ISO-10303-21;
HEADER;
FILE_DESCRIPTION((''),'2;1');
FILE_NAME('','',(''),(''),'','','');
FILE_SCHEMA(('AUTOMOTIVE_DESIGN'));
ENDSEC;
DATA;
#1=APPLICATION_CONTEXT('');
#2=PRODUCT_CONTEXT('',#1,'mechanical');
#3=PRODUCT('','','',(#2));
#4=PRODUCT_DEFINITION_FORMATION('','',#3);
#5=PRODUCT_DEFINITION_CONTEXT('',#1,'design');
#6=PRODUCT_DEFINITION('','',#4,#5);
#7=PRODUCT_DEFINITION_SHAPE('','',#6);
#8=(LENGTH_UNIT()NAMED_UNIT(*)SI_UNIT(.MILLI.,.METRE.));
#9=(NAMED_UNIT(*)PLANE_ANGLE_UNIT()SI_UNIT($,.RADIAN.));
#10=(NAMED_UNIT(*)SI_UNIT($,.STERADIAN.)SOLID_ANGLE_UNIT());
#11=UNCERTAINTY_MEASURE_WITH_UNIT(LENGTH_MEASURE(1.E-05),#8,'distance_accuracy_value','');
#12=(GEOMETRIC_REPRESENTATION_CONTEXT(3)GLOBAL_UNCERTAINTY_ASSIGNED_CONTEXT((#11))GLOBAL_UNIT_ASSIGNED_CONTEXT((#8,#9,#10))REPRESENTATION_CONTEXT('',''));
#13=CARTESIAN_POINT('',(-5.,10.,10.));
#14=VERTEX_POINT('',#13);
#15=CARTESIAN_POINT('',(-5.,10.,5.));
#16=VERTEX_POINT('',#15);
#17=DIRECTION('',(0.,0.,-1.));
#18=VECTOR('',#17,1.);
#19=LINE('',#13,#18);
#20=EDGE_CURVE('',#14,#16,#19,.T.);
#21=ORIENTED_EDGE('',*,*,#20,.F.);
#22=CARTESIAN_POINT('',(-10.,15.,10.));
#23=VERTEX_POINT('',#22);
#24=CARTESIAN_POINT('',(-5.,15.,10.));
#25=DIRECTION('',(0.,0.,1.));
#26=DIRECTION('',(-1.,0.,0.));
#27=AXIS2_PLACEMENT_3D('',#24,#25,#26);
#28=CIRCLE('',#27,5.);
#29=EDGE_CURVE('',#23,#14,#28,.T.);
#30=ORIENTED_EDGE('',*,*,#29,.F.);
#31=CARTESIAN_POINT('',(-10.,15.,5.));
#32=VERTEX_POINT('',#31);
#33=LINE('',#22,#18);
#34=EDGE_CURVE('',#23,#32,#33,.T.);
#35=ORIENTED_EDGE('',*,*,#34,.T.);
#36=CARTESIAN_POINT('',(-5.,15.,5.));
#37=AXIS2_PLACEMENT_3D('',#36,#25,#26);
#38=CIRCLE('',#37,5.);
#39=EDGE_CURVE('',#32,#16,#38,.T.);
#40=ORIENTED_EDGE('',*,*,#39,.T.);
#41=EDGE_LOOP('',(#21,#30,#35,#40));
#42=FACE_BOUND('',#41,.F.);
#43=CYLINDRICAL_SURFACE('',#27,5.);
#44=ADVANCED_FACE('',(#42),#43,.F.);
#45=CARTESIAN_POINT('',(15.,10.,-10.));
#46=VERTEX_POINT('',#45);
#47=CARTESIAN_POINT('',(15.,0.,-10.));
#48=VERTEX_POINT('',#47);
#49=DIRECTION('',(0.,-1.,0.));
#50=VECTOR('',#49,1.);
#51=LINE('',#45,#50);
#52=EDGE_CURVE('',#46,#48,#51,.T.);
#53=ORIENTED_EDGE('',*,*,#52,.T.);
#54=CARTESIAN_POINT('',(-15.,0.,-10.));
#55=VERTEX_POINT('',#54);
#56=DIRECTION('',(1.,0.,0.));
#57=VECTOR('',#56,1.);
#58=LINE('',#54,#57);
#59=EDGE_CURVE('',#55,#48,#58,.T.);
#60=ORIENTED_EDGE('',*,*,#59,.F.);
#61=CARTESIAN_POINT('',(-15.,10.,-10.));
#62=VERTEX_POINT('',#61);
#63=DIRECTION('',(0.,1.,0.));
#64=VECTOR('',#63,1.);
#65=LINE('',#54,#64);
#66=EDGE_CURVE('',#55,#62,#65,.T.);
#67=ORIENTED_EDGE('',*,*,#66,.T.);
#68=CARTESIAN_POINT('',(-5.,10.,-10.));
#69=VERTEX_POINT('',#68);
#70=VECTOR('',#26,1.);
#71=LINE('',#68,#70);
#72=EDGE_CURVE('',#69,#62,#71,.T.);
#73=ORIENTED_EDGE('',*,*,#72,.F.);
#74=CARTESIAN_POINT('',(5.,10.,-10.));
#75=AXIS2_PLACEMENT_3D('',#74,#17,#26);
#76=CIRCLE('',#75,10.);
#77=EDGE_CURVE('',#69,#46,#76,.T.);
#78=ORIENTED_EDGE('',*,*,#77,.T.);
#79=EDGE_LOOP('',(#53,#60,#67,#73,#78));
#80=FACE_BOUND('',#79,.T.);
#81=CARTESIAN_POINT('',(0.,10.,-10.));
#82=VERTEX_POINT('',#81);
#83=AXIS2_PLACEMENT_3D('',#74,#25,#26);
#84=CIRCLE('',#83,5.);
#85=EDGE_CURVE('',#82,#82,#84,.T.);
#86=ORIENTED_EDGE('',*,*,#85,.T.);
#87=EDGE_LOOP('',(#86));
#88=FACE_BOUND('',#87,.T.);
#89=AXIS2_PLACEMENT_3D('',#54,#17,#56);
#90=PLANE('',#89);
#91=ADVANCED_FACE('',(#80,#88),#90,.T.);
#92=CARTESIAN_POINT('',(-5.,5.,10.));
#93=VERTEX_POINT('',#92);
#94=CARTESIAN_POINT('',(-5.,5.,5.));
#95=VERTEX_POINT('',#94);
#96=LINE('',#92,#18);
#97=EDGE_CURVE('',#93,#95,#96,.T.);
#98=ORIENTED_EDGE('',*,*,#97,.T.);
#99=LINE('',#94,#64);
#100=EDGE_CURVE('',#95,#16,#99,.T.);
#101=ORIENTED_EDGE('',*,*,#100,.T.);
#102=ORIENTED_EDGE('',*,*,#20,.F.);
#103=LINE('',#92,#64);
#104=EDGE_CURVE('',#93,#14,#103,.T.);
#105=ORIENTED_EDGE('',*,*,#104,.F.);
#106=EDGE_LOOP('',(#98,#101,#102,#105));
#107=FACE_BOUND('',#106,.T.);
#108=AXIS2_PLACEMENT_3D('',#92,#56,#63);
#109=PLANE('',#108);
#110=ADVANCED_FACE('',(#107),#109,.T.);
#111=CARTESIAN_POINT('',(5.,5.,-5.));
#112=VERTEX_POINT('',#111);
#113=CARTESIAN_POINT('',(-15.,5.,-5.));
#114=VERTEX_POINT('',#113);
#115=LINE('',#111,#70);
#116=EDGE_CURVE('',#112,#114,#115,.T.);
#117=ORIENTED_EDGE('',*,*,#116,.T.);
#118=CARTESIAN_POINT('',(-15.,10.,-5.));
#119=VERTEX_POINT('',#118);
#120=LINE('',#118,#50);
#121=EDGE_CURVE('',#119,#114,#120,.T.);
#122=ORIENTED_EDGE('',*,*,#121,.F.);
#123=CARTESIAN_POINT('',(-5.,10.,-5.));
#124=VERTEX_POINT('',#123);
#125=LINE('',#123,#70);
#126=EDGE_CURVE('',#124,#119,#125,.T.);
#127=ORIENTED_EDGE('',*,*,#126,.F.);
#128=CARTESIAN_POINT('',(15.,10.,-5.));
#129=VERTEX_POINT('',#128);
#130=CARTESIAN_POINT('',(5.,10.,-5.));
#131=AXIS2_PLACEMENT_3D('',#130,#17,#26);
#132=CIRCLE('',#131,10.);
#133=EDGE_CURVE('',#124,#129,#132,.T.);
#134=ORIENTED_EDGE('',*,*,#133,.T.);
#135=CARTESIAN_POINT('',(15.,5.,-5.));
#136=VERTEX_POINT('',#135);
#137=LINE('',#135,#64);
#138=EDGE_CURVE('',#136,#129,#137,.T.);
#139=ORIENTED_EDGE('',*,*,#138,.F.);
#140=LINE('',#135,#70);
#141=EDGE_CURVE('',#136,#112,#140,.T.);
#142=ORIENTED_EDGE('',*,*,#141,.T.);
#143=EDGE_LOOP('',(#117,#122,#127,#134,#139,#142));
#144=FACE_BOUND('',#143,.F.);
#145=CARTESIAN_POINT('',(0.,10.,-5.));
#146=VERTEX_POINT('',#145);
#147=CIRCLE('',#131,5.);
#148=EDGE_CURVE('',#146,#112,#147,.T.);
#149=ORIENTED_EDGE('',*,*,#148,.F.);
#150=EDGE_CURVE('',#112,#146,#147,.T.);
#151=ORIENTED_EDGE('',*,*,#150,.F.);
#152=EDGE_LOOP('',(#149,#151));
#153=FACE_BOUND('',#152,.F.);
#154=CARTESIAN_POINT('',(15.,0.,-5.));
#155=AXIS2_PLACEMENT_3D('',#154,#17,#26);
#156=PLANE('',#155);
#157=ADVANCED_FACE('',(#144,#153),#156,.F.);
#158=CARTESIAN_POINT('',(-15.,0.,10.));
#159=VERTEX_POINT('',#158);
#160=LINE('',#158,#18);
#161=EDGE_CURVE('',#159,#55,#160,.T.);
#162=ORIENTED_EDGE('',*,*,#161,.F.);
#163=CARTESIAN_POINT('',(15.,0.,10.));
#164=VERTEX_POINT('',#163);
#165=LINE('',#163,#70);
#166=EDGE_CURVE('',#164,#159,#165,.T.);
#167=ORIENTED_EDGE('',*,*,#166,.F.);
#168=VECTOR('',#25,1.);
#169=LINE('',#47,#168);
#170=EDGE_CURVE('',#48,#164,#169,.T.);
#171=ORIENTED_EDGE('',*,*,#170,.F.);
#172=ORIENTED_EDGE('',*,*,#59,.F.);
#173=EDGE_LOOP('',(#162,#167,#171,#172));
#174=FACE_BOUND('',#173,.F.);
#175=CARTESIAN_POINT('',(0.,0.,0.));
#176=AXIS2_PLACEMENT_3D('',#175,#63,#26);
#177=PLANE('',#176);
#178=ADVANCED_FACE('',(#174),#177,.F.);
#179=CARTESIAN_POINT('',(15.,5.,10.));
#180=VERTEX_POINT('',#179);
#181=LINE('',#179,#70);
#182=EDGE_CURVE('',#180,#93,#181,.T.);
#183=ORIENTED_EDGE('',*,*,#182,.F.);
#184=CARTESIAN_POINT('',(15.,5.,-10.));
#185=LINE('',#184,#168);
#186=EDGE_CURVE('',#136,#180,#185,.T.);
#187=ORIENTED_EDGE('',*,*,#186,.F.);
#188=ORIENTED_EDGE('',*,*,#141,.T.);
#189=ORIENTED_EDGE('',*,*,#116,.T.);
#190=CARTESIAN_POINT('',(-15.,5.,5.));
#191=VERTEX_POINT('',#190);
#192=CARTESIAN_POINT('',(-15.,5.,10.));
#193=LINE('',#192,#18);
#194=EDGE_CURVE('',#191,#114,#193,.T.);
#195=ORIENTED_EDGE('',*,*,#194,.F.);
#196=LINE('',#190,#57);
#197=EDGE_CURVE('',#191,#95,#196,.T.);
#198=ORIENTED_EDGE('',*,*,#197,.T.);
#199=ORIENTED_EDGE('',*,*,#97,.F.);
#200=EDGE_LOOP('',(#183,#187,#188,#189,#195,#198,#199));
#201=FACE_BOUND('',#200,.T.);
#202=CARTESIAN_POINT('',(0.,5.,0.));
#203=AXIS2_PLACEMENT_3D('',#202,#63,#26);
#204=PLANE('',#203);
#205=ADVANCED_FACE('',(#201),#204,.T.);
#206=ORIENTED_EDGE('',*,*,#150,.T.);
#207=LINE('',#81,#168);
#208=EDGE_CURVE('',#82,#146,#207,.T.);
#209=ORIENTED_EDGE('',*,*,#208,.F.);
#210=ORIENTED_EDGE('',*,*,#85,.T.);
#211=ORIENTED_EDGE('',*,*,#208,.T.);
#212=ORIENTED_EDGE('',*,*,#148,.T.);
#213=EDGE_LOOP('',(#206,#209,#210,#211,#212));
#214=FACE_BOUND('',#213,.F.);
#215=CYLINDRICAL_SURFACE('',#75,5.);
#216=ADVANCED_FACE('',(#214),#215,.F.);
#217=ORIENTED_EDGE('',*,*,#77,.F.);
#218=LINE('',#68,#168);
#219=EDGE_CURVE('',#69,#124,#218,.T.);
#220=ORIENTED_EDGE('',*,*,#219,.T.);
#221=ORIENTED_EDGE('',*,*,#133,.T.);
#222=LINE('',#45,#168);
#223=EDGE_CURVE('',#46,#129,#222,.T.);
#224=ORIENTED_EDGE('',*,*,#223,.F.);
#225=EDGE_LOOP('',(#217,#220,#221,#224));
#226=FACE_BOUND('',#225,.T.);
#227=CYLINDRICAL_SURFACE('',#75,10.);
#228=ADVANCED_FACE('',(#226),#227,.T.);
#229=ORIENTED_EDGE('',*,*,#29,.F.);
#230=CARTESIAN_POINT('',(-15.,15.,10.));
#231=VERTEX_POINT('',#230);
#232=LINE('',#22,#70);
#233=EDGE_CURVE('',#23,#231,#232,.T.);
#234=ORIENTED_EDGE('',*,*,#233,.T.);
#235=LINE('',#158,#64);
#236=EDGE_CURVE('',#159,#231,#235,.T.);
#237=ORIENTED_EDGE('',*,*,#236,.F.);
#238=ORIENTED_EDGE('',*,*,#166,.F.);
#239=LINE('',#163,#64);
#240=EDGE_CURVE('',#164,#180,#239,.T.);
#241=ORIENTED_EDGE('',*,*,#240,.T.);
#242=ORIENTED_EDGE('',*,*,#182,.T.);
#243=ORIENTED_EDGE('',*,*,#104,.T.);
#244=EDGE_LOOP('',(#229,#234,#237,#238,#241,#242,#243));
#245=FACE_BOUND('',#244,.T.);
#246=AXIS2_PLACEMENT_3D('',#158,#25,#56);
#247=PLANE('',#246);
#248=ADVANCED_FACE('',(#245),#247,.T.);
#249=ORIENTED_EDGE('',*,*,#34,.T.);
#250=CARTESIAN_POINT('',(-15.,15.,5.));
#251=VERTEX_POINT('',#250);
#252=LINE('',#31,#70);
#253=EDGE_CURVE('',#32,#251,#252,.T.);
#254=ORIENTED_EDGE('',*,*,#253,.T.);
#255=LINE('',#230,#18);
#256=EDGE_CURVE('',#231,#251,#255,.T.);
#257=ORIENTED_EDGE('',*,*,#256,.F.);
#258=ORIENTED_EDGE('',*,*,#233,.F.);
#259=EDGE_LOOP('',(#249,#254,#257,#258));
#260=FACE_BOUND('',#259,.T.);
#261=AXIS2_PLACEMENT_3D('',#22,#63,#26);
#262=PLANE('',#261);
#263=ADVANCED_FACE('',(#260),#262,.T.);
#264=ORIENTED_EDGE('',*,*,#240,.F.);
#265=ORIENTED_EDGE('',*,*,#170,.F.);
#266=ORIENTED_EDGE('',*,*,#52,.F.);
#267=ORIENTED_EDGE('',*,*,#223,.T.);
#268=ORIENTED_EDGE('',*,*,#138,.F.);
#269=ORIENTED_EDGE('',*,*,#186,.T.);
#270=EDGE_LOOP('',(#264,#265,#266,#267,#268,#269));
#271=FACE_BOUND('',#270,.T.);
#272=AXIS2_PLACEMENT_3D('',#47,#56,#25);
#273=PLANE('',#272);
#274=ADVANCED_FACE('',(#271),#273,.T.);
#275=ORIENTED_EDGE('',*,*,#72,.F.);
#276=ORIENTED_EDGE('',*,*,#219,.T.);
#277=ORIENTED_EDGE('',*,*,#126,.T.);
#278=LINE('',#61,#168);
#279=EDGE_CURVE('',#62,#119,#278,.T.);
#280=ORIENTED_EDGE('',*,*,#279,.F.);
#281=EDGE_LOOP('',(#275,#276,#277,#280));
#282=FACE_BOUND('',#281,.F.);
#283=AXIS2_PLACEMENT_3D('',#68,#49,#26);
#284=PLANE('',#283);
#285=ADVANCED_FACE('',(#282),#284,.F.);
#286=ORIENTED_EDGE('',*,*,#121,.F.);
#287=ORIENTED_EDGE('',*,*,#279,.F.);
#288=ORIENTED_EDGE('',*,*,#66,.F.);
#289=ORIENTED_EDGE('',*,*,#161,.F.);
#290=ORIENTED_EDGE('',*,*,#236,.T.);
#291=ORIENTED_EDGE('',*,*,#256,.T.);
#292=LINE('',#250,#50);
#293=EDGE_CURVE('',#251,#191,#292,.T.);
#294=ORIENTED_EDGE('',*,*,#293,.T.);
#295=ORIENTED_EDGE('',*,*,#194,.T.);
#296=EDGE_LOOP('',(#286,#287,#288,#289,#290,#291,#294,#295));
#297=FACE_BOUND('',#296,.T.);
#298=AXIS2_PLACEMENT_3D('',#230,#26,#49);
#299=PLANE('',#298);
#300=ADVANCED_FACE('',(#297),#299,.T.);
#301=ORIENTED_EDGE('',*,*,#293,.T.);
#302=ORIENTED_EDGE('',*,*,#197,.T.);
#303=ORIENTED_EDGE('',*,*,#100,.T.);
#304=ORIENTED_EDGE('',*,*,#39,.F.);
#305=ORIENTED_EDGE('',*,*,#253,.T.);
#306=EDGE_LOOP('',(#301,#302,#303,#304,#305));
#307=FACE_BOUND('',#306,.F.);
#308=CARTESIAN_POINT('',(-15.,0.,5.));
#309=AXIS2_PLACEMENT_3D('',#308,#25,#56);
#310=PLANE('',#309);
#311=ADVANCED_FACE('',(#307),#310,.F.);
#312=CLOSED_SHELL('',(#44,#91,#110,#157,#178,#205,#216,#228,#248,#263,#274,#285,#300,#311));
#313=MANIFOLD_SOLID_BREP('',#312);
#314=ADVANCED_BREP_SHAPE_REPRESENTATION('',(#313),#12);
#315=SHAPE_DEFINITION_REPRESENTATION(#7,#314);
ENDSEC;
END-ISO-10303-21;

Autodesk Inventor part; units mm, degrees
ref_plane "YZ Plane" through (0, 0, 0) normal (1, 0, 0) x (0, 1, 0)
ref_plane "XZ Plane" through (0, 0, 0) normal (0, 1, 0) x (-1, 0, 0)
ref_plane "XY Plane" through (0, 0, 0) normal (0, 0, 1) x (1, 0, 0)
sketch "草圖1" plane through (0, 0, 0) normal (0, 1, 0) x (-1, 0, 0)
  line L0 (15, -10) -> (-15, -10)
  line L1 (-15, -10) -> (-15, 10)
  line L2 (-15, 10) -> (15, 10)
  line L3 (15, 10) -> (15, -10)
  point P0 (0, 0)
  point P1 (15, 0)
  point P2 (0, -10)
  dimension "d0" = 30
  dimension "d1" = 20
extrude "擠出1" add sketch "草圖1" along normal blind 5
sketch "草圖2" plane through (15, 0, -10) normal (0, 0, -1) x (-1, 0, 0)
  line L0 (0, 0) -> (30, 0) construction
  line L1 (0, 0) -> (0, 5) construction
  line L2 (30, 5) -> (0, 5) construction
  line L3 (30, 0) -> (30, 5) construction
  line L4 (30, 5) -> (0, 5)
  line L5 (0, 5) -> (0, 10)
  line L6 (30, 10) -> (30, 5)
  arc A0 (20, 10) -> (0, 10) centre (10, 10) ccw
  line L7 (20, 10) -> (30, 10)
  arc A1 (5.3752, 5) -> (14.6248, 5) centre (10, 10) ccw
  circle A2 centre (10, 10) radius 5
  point P0 (15, 0)
  point P1 (0, 7.5)
  dimension "d4" = 20
  dimension "d5" = 5
  dimension "d6" = 5
  dimension "d7" = 10
  dimension "d8" = 10
extrude "擠出2" add sketch "草圖2" against normal blind 5 contours L4 L5 A0 L7 L6
sketch "草圖3" plane through (-15, 0, 10) normal (0, 0, 1) x (1, 0, 0)
  line L0 (30, 0) -> (0, 0) construction
  line L1 (30, 0) -> (30, 5) construction
  line L2 (0, 5) -> (30, 5) construction
  line L3 (0, 0) -> (0, 5) construction
  line L4 (0, 0) -> (0, 5) projected
  line L5 (0, 5) -> (10, 5)
  line L6 (10, 5) -> (10, 10)
  line L7 (10, 15) -> (5, 15) construction
  line L8 (0, 15) -> (0, 5)
  arc A0 (5, 15) -> (10, 10) centre (10, 15) ccw
  line L9 (5, 15) -> (0, 15)
  line L10 (10, 10) -> (10, 15) construction
  point P0 (15, 0)
  dimension "d11" = 10
  dimension "d12" = 5
extrude "擠出3" add sketch "草圖3" against normal blind 5
properties part number "7"
